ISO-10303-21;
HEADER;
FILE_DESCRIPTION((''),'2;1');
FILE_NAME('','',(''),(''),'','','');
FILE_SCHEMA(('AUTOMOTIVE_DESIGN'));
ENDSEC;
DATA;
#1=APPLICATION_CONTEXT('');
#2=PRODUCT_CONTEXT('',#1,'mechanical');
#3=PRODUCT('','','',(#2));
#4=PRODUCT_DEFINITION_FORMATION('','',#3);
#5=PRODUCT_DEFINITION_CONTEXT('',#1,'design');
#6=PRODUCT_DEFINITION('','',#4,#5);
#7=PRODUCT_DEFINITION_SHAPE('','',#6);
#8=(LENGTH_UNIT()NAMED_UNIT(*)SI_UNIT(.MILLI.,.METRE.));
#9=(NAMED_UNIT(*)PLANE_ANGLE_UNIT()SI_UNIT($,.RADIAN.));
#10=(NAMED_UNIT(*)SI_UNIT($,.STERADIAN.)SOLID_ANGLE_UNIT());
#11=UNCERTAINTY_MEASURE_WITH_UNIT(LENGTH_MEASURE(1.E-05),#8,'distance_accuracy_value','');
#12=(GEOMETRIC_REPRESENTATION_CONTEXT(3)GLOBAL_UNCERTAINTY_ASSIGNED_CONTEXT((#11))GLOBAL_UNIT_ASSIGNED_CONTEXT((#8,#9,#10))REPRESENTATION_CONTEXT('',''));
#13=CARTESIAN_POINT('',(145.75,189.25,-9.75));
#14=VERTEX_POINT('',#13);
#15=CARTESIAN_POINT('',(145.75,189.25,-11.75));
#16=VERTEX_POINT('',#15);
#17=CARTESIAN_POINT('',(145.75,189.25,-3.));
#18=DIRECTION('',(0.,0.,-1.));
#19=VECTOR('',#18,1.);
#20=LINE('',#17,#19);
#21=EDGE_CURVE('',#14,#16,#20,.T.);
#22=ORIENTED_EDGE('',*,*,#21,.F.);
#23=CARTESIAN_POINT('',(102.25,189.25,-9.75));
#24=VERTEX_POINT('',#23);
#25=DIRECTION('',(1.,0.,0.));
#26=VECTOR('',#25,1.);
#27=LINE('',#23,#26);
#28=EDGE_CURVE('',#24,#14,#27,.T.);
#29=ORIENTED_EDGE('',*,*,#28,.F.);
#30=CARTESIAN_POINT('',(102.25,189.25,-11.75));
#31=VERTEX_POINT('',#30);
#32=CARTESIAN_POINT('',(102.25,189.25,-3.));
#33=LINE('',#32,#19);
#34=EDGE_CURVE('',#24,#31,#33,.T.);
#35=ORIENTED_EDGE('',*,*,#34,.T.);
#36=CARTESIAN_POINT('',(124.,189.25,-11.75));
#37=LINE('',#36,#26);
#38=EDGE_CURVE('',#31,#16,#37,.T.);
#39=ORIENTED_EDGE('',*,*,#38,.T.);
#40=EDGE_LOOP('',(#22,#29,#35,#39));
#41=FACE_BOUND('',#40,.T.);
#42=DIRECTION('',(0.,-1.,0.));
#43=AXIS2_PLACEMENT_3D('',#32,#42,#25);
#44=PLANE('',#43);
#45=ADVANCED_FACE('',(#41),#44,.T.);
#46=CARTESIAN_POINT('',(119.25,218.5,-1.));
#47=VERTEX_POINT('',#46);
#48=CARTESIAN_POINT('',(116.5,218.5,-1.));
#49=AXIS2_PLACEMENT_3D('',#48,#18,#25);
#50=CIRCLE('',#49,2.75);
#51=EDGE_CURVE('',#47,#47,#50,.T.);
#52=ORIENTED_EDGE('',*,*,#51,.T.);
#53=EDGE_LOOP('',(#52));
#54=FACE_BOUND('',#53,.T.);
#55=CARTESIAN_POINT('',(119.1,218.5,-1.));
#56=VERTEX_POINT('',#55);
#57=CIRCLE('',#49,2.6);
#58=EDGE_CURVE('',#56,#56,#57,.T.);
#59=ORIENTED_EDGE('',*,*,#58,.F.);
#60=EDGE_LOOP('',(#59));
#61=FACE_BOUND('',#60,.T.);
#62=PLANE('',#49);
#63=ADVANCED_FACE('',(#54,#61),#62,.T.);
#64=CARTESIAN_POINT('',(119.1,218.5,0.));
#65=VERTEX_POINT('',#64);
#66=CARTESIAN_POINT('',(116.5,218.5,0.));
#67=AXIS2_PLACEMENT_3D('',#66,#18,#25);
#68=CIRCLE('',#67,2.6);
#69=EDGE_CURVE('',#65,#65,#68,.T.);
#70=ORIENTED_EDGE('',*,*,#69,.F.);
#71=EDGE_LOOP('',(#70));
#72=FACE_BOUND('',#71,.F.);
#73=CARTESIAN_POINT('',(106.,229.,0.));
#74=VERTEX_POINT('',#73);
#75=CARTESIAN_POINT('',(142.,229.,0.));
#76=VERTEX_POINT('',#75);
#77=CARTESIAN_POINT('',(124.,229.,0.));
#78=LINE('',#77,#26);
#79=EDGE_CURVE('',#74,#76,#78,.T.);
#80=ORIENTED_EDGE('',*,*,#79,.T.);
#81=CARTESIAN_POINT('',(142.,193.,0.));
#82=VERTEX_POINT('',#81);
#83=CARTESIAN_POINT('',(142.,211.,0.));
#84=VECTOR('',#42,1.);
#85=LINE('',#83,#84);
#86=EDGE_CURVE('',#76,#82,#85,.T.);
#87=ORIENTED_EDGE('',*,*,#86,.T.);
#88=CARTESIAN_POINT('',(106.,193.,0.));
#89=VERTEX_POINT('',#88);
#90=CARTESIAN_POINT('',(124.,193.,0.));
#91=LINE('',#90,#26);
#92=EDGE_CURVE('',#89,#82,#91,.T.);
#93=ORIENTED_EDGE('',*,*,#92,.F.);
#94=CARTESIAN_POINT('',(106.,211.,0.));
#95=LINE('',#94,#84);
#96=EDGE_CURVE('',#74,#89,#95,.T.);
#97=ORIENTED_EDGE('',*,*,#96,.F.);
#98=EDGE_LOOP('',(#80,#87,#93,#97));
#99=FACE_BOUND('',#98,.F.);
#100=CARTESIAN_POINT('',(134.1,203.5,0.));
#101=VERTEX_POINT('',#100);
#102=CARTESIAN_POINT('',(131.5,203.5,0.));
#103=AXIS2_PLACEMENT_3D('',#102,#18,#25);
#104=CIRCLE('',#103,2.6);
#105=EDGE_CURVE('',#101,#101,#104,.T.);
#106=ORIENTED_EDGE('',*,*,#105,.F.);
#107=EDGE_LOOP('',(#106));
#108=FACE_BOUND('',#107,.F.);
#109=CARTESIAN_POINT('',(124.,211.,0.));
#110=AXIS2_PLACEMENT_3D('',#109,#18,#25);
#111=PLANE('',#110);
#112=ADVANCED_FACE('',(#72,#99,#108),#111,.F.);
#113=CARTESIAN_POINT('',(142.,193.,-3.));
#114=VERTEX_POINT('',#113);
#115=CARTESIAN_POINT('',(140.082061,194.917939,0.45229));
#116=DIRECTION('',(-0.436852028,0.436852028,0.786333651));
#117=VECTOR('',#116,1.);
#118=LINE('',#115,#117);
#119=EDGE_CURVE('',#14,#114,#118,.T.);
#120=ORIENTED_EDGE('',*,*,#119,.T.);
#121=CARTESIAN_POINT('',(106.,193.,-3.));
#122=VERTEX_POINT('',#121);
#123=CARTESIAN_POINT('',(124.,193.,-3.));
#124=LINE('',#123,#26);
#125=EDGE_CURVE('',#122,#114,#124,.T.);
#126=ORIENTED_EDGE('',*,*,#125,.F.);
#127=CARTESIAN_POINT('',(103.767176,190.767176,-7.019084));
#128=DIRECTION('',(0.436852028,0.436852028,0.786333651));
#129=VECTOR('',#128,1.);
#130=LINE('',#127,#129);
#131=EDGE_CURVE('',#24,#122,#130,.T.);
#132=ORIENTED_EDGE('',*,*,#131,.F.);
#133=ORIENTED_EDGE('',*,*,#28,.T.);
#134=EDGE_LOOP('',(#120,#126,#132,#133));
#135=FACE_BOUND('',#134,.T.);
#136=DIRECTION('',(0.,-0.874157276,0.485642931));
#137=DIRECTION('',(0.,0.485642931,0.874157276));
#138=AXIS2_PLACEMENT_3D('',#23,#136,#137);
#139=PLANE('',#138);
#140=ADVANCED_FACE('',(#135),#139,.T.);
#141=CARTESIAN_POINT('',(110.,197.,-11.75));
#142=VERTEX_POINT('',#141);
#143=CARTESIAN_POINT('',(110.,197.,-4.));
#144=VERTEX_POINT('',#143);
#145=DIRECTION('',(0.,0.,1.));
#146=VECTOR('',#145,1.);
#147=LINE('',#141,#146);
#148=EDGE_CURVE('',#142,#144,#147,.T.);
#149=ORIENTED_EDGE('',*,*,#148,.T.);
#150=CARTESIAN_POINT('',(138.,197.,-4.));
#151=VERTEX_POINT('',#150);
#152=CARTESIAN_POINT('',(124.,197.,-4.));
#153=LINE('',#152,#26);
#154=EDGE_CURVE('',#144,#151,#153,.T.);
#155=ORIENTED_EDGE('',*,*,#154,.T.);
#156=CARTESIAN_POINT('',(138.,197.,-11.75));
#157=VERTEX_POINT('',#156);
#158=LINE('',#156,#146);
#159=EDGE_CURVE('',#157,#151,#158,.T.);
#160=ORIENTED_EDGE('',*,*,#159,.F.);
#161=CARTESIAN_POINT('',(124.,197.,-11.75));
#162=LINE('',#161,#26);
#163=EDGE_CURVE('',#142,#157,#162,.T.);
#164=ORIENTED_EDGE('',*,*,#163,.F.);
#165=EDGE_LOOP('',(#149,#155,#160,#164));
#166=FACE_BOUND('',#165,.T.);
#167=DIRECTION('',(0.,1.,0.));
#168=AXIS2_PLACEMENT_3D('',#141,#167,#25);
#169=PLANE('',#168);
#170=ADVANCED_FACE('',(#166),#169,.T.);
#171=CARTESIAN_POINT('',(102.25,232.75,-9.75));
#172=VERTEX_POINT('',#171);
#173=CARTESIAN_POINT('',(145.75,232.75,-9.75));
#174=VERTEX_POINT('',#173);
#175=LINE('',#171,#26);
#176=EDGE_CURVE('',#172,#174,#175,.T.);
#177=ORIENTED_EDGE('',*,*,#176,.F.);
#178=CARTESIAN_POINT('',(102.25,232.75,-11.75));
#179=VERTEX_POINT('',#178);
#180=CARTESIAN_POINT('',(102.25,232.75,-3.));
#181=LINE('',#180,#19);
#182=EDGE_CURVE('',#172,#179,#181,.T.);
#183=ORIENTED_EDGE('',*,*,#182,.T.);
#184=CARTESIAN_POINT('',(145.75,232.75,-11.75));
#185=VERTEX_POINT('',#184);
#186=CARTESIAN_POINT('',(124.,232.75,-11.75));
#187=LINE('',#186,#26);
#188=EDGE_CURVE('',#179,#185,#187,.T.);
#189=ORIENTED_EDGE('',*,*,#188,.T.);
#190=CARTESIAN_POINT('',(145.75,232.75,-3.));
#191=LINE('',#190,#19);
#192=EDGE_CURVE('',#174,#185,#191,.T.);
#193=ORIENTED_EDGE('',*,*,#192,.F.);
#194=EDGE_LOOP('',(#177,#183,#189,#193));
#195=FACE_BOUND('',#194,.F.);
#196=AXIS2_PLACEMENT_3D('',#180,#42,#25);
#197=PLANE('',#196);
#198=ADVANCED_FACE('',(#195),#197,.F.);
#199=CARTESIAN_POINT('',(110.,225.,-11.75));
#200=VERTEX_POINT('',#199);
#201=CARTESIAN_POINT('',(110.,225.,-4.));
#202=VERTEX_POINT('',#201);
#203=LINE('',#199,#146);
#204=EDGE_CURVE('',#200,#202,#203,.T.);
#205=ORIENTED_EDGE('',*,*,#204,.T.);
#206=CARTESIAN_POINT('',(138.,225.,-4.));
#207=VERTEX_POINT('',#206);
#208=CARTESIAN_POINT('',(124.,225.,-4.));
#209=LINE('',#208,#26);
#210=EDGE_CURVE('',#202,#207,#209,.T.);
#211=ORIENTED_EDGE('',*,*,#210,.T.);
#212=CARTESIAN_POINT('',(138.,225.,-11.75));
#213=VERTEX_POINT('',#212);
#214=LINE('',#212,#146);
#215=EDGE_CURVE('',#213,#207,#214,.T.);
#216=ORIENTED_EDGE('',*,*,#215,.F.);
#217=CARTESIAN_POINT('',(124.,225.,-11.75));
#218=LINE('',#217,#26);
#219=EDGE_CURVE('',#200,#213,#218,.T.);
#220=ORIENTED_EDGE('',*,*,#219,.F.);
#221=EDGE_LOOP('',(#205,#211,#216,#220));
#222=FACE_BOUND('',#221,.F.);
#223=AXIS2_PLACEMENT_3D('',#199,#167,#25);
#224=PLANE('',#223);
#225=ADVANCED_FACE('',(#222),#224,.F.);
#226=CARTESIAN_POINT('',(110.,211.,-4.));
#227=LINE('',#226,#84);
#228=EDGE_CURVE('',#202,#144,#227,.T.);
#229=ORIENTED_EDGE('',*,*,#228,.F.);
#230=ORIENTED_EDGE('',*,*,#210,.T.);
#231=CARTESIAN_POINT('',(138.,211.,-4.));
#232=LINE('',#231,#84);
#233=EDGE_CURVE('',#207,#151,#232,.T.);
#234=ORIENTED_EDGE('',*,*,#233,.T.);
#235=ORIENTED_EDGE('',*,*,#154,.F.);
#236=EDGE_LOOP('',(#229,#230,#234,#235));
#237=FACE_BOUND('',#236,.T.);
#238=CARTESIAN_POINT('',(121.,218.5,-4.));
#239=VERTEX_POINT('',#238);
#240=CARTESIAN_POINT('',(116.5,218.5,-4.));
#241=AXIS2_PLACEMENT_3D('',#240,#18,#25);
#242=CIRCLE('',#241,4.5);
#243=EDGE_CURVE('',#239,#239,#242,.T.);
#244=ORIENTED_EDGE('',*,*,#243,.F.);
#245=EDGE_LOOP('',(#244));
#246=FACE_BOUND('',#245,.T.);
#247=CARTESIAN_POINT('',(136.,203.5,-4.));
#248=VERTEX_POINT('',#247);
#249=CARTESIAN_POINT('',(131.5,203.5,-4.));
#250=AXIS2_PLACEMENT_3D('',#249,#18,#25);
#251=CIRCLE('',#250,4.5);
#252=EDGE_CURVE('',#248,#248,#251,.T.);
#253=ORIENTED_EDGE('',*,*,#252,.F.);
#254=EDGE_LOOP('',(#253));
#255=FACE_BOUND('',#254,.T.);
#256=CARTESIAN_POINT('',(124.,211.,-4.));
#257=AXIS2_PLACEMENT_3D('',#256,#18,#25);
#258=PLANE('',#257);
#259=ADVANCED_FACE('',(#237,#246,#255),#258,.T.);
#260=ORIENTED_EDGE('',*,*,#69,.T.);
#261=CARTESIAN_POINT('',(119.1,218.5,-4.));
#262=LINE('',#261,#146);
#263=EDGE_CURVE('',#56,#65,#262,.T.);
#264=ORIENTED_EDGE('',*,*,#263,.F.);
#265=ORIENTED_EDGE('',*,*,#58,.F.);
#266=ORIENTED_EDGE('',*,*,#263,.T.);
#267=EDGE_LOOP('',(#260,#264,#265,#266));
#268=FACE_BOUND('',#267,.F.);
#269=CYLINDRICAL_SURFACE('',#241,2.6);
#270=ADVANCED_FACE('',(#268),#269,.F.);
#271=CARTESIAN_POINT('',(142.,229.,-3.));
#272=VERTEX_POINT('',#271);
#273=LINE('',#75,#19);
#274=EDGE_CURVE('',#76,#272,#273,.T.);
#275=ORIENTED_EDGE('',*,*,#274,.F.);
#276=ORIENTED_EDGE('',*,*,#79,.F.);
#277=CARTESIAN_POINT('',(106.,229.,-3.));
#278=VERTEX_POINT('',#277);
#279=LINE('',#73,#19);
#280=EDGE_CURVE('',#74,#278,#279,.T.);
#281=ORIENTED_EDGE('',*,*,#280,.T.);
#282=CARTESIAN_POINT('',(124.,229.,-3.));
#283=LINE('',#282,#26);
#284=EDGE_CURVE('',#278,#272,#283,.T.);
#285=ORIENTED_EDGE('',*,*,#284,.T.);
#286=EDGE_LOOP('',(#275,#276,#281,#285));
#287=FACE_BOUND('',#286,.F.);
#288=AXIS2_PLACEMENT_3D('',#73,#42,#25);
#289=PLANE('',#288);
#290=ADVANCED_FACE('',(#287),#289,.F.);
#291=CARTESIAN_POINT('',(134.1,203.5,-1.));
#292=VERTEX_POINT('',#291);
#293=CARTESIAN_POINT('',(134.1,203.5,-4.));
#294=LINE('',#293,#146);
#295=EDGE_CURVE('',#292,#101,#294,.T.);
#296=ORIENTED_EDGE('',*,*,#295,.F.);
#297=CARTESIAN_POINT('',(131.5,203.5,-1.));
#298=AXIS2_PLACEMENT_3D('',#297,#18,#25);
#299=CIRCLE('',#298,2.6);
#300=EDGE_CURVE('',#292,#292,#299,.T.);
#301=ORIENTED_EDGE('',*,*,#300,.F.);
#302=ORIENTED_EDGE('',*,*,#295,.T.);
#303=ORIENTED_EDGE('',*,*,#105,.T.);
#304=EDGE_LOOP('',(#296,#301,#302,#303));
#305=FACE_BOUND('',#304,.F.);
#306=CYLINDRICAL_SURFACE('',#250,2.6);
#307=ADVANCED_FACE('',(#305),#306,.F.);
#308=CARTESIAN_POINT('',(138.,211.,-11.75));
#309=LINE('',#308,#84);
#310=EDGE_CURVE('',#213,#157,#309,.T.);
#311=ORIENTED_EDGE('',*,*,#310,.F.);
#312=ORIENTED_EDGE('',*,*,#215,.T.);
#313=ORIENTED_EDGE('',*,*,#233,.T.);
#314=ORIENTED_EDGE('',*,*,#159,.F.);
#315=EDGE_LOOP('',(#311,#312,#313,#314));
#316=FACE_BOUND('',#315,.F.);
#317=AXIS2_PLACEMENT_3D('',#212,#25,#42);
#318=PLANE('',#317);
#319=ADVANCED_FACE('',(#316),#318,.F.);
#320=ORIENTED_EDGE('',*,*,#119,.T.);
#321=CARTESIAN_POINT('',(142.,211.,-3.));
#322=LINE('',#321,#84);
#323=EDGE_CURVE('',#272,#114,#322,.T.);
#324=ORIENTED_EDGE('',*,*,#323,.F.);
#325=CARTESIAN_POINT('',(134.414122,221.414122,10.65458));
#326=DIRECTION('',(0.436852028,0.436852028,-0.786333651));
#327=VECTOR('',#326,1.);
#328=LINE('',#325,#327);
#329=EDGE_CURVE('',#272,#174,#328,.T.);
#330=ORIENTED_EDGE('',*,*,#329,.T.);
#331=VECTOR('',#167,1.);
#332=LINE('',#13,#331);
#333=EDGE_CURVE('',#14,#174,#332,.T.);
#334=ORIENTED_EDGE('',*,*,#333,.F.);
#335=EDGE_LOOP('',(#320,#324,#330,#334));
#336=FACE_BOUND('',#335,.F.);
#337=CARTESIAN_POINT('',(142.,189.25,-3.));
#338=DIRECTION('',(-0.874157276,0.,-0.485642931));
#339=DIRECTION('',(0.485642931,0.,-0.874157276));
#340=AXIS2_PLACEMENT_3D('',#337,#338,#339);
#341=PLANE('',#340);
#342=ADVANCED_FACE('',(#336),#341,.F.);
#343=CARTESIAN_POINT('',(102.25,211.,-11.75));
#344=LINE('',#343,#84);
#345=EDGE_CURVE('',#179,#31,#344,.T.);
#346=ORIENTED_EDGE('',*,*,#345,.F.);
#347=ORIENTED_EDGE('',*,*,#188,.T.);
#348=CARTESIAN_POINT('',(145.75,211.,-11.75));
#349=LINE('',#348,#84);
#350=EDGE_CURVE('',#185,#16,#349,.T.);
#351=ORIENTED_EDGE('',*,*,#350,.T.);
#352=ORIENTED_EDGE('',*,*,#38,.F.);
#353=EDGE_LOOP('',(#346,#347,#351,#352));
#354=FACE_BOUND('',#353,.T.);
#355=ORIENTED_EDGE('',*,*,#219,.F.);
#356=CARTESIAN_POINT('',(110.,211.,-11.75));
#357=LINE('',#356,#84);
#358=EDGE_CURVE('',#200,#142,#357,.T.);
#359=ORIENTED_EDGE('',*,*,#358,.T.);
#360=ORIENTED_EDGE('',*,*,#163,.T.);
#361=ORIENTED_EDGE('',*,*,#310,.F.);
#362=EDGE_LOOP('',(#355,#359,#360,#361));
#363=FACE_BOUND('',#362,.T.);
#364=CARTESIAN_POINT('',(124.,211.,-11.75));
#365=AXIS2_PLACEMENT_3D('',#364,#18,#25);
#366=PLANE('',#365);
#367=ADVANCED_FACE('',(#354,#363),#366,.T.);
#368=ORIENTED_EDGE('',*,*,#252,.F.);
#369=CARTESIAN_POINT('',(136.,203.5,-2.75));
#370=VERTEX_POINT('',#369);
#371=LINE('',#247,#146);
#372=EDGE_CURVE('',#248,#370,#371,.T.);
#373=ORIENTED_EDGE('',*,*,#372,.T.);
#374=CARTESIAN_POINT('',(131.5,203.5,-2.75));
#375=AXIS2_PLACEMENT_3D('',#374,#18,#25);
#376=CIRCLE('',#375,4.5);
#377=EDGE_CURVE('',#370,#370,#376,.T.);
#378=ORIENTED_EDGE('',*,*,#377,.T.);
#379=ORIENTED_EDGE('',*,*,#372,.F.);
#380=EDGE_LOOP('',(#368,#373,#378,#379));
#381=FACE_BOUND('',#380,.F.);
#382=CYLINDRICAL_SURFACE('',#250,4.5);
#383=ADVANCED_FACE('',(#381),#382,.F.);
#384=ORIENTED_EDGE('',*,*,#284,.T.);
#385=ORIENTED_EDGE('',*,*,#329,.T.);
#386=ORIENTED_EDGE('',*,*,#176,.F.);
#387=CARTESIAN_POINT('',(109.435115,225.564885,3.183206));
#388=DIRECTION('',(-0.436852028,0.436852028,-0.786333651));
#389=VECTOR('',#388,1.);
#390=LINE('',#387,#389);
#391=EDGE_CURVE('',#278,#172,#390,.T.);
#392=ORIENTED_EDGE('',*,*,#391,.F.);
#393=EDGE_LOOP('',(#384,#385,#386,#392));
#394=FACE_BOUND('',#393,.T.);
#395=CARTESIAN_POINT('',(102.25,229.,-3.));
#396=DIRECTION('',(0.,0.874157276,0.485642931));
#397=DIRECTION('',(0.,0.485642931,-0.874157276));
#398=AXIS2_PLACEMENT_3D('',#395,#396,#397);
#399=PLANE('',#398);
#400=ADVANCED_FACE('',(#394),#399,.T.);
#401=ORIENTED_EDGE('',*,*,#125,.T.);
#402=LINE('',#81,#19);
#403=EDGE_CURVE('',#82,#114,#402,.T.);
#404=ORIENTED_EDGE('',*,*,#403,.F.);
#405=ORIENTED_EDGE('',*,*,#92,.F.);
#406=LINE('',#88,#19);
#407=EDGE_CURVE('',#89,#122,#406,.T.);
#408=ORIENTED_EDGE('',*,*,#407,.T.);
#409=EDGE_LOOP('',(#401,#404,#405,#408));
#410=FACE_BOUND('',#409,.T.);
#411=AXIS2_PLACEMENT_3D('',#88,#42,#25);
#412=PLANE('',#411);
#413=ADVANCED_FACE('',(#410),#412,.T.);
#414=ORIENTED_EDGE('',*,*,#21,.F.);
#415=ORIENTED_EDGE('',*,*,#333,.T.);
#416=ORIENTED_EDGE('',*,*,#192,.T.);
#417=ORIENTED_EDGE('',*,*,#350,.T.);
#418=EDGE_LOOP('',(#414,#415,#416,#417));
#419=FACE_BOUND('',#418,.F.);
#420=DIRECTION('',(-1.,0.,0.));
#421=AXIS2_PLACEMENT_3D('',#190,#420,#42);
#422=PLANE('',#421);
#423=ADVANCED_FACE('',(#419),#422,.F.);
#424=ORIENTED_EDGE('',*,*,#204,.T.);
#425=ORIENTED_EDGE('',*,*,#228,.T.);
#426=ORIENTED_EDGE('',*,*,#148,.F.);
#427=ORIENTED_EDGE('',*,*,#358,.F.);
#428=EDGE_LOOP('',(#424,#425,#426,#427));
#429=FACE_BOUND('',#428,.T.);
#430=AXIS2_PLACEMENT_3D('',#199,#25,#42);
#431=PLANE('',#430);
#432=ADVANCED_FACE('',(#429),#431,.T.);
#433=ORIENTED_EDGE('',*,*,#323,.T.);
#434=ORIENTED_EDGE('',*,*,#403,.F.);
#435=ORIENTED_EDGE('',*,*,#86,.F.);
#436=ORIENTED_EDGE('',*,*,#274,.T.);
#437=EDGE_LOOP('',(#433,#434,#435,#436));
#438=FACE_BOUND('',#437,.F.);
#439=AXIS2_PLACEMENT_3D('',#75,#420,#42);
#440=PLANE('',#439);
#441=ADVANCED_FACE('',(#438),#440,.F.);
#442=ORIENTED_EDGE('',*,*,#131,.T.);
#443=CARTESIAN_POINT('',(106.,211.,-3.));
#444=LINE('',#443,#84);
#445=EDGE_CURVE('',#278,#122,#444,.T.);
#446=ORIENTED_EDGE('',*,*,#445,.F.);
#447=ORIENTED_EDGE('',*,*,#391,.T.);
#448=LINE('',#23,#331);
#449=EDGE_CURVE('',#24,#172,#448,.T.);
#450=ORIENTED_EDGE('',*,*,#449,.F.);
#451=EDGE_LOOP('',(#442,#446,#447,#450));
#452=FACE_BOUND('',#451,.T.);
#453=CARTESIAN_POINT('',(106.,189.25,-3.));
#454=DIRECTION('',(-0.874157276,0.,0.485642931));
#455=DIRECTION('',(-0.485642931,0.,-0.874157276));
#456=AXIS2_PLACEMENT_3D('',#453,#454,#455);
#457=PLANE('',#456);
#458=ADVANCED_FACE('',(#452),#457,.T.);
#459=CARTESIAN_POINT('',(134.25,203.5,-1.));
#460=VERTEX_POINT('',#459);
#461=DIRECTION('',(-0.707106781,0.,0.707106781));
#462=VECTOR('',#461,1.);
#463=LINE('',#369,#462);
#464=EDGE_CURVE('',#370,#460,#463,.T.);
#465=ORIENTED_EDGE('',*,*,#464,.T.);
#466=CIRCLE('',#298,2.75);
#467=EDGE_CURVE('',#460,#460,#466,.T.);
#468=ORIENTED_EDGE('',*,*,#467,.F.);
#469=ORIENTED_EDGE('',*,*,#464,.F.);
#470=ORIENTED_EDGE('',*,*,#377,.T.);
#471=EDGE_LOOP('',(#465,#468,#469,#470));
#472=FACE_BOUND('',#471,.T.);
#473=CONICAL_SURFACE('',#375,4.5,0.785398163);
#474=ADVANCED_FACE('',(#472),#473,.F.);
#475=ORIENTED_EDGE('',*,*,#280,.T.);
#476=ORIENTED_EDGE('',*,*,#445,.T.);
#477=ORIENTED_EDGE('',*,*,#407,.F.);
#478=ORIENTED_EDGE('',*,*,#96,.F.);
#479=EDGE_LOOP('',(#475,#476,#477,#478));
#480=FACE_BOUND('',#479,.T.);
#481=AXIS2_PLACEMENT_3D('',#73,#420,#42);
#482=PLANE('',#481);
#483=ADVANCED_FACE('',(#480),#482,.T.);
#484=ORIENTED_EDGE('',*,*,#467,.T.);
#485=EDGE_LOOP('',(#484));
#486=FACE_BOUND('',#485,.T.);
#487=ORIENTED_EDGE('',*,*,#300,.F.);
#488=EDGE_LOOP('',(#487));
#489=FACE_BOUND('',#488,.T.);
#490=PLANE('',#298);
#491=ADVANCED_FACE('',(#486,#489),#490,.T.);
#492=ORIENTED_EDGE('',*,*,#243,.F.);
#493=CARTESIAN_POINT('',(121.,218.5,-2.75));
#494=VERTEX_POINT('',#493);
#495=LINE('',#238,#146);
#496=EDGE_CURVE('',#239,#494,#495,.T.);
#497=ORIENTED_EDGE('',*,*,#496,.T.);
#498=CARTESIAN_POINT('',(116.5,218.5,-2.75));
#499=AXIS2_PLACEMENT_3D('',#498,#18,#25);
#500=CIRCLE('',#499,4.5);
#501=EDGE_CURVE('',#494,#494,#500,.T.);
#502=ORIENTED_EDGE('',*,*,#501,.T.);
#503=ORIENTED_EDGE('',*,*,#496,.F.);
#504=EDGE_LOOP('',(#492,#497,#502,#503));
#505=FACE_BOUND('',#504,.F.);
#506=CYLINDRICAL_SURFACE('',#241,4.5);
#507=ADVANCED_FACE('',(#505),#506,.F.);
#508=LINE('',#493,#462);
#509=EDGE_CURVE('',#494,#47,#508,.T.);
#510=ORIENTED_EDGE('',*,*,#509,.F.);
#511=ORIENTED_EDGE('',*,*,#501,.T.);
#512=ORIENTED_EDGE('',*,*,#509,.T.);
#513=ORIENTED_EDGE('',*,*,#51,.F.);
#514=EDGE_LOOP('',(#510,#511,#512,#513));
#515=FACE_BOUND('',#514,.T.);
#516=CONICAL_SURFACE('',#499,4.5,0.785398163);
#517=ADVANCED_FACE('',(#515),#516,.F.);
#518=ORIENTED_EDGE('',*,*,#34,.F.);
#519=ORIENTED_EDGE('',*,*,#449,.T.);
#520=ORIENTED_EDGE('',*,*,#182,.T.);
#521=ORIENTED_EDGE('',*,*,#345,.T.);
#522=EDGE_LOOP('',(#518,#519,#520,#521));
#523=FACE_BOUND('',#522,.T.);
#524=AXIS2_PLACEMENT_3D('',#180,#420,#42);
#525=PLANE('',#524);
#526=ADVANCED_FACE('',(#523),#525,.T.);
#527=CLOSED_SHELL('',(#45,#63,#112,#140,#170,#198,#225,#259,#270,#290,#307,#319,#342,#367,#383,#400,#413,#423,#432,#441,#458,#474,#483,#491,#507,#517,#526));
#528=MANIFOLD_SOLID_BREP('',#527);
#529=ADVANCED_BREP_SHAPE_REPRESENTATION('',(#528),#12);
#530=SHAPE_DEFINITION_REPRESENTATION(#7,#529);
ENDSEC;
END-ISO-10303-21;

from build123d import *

# Parameters (mm, degrees)
SKETCH021_W     = 36
SKETCH021_H     = 36
PAD006_DEPTH    = 3
SKETCH022_W     = 43.5
SKETCH022_H     = 43.5
PAD007_DEPTH    = 8.75
POCKET014_DEPTH = 100
POCKET015_DEPTH = 100
SKETCH025_W     = 28
SKETCH025_H     = 28
POCKET016_DEPTH = 7.75
SKETCH026_R     = 4.5
POCKET017_DEPTH = 3
SKETCH030_R     = 2.6
POCKET021_DEPTH = 5
CHAMFER003_SIZE = 1.75


with BuildPart() as part:
    # Sketch021 (on Face1 of ShapeBinder003) → Pad006 (new body)
    with BuildSketch(Plane(origin=(0, 0, 0), x_dir=(1, 0, 0), z_dir=(0, 0, -1))):
        with Locations((124, -211)):
            Rectangle(SKETCH021_W, SKETCH021_H)
    extrude(amount=PAD006_DEPTH)

    # Sketch022 (on Face6 of Pad006) → Pad007 (join)
    with BuildSketch(Plane(origin=(0, 0, -3), x_dir=(1, 0, 0), z_dir=(0, 0, -1))):
        with Locations((124, -211)):
            Rectangle(SKETCH022_W, SKETCH022_H)
    extrude(amount=PAD007_DEPTH)

    # Sketch023 (on Face1 of Pad007) → Pocket014 (cut)
    with BuildSketch(Plane.XZ.offset(-189.25)):
        Polygon((106, -3), (102.25, -9.75), (102.25, -3), align=None)
        Polygon((142, -3), (145.75, -9.75), (145.75, -3), align=None)
    extrude(amount=-POCKET014_DEPTH, mode=Mode.SUBTRACT)

    # Sketch024 (on Face7 of Pocket014) → Pocket015 (cut)
    with BuildSketch(Plane(origin=(102.25, 0, 0), x_dir=(0, -1, 0), z_dir=(-1, 0, 0))):
        Polygon((-229, -3), (-232.75, -9.75), (-232.75, -3), align=None)
        Polygon((-193, -3), (-189.25, -3), (-189.25, -9.75), align=None)
    extrude(amount=-POCKET015_DEPTH, mode=Mode.SUBTRACT)

    # Sketch025 (on Face4 of Pocket015) → Pocket016 (cut)
    with BuildSketch(Plane(origin=(0, 0, -11.75), x_dir=(1, 0, 0), z_dir=(0, 0, -1))):
        with Locations((124, -211)):
            Rectangle(SKETCH025_W, SKETCH025_H)
    extrude(amount=-POCKET016_DEPTH, mode=Mode.SUBTRACT)

    # Sketch026 (on Face18 of Pocket016) → Pocket017 (cut)
    with BuildSketch(Plane(origin=(0, 0, -4), x_dir=(1, 0, 0), z_dir=(0, 0, -1))):
        with Locations((116.5, -218.5)):
            Circle(SKETCH026_R)
        with Locations((131.5, -203.5)):
            Circle(SKETCH026_R)
    extrude(amount=-POCKET017_DEPTH, mode=Mode.SUBTRACT)

    # Sketch030 (on Face18 of Pocket017) → Pocket021 (cut)
    with BuildSketch(Plane(origin=(0, 0, -4), x_dir=(1, 0, 0), z_dir=(0, 0, -1))):
        with Locations((116.5, -218.5)):
            Circle(SKETCH030_R)
        with Locations((131.5, -203.5)):
            Circle(SKETCH030_R)
    extrude(amount=-POCKET021_DEPTH, mode=Mode.SUBTRACT)

    # Chamfer003
    chamfer003_edges = [part.edges().sort_by_distance(p)[0] for p in [
        (112, 218.5, -1),
        (127, 203.5, -1),
    ]]
    chamfer(chamfer003_edges, length=CHAMFER003_SIZE)


solid = part.part
